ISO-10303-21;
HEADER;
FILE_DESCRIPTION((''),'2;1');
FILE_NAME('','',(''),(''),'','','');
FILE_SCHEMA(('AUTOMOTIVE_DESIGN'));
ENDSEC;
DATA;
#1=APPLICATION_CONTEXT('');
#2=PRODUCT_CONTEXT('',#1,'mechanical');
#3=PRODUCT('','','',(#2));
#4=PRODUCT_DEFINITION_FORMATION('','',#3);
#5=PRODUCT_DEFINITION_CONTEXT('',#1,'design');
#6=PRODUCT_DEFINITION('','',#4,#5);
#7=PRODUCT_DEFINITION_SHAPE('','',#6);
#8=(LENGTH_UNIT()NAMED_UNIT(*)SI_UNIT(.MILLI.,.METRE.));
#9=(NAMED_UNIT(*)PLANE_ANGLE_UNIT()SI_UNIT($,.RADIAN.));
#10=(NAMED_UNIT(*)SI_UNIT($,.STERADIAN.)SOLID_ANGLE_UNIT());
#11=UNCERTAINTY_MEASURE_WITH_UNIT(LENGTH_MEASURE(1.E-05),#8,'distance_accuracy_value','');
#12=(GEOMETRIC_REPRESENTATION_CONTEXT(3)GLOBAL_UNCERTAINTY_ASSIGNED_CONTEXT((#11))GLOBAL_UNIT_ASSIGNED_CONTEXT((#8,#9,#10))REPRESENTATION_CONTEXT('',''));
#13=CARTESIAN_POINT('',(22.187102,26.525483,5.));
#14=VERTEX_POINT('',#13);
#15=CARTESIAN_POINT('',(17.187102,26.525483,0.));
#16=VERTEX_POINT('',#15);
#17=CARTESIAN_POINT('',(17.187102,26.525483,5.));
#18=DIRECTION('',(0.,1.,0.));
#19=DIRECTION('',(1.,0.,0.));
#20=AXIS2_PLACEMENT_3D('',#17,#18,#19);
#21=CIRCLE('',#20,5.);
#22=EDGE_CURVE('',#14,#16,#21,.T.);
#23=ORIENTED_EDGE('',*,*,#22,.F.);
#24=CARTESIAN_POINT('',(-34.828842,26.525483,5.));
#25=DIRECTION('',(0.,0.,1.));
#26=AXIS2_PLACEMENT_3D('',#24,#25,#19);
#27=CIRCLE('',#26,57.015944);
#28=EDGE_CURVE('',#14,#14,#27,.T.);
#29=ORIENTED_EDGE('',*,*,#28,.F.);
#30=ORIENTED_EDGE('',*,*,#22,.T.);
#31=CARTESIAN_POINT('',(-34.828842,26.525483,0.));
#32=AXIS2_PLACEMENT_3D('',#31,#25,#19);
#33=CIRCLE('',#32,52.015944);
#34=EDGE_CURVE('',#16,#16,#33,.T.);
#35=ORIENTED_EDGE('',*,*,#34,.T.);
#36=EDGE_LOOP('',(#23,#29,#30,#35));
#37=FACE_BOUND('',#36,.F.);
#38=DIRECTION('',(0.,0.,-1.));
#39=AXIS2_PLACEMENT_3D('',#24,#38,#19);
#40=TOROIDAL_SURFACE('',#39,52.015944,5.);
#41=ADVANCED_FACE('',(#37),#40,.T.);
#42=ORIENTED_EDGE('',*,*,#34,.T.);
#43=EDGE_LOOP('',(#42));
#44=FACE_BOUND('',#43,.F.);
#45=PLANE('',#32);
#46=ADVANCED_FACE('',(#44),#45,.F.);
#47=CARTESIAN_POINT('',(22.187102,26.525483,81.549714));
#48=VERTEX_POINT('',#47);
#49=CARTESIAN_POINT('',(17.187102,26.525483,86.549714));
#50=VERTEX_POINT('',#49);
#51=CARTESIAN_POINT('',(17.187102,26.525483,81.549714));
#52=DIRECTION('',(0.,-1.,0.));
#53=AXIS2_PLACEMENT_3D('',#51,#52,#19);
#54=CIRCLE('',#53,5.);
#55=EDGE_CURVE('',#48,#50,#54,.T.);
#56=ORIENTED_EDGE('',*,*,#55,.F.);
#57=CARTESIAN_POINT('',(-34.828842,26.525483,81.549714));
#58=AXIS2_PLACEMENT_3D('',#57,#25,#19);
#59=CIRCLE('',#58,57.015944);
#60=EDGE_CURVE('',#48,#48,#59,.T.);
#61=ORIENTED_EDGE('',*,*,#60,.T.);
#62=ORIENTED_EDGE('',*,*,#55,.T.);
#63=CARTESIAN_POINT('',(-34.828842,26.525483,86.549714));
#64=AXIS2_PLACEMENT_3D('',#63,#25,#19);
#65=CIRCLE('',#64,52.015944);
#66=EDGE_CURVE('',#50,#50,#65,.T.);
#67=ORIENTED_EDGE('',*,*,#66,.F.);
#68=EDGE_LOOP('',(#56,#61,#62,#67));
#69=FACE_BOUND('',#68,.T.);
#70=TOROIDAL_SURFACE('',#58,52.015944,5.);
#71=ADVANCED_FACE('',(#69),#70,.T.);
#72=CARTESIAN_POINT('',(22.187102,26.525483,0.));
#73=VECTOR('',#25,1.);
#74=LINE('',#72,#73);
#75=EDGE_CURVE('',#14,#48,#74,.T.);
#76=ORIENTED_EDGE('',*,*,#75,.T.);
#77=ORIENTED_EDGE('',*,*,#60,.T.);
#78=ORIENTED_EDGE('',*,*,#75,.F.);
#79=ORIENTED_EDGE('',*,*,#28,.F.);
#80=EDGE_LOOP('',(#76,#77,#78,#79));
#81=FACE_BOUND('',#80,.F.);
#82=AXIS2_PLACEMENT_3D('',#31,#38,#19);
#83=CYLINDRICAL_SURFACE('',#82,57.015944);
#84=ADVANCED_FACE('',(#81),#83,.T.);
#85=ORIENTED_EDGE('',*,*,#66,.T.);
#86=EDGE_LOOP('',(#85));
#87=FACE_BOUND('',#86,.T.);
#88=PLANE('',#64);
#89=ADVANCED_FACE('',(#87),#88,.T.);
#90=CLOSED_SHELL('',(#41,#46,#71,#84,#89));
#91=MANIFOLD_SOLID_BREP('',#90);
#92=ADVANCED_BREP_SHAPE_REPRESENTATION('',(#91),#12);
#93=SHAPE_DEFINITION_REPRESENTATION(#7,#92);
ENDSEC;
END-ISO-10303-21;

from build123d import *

# Parameters (mm, degrees)
F0_R     = 57.015944
F1_DEPTH = 86.549714
F2_R     = 5


with BuildPart() as f1:
    # F0 (on Top) → F1 (new body)
    with BuildSketch(Plane.XY):
        with Locations((-34.828842, 26.525483)):
            Circle(F0_R)
    extrude(amount=F1_DEPTH)

    # F2
    f2_edges = [f1.edges().sort_by_distance(p)[0] for p in [
        (-91.844786, 26.525483, 86.549714),
        (-91.844786, 26.525483, 0),
    ]]
    fillet(f2_edges, radius=F2_R)


solid = f1.part
